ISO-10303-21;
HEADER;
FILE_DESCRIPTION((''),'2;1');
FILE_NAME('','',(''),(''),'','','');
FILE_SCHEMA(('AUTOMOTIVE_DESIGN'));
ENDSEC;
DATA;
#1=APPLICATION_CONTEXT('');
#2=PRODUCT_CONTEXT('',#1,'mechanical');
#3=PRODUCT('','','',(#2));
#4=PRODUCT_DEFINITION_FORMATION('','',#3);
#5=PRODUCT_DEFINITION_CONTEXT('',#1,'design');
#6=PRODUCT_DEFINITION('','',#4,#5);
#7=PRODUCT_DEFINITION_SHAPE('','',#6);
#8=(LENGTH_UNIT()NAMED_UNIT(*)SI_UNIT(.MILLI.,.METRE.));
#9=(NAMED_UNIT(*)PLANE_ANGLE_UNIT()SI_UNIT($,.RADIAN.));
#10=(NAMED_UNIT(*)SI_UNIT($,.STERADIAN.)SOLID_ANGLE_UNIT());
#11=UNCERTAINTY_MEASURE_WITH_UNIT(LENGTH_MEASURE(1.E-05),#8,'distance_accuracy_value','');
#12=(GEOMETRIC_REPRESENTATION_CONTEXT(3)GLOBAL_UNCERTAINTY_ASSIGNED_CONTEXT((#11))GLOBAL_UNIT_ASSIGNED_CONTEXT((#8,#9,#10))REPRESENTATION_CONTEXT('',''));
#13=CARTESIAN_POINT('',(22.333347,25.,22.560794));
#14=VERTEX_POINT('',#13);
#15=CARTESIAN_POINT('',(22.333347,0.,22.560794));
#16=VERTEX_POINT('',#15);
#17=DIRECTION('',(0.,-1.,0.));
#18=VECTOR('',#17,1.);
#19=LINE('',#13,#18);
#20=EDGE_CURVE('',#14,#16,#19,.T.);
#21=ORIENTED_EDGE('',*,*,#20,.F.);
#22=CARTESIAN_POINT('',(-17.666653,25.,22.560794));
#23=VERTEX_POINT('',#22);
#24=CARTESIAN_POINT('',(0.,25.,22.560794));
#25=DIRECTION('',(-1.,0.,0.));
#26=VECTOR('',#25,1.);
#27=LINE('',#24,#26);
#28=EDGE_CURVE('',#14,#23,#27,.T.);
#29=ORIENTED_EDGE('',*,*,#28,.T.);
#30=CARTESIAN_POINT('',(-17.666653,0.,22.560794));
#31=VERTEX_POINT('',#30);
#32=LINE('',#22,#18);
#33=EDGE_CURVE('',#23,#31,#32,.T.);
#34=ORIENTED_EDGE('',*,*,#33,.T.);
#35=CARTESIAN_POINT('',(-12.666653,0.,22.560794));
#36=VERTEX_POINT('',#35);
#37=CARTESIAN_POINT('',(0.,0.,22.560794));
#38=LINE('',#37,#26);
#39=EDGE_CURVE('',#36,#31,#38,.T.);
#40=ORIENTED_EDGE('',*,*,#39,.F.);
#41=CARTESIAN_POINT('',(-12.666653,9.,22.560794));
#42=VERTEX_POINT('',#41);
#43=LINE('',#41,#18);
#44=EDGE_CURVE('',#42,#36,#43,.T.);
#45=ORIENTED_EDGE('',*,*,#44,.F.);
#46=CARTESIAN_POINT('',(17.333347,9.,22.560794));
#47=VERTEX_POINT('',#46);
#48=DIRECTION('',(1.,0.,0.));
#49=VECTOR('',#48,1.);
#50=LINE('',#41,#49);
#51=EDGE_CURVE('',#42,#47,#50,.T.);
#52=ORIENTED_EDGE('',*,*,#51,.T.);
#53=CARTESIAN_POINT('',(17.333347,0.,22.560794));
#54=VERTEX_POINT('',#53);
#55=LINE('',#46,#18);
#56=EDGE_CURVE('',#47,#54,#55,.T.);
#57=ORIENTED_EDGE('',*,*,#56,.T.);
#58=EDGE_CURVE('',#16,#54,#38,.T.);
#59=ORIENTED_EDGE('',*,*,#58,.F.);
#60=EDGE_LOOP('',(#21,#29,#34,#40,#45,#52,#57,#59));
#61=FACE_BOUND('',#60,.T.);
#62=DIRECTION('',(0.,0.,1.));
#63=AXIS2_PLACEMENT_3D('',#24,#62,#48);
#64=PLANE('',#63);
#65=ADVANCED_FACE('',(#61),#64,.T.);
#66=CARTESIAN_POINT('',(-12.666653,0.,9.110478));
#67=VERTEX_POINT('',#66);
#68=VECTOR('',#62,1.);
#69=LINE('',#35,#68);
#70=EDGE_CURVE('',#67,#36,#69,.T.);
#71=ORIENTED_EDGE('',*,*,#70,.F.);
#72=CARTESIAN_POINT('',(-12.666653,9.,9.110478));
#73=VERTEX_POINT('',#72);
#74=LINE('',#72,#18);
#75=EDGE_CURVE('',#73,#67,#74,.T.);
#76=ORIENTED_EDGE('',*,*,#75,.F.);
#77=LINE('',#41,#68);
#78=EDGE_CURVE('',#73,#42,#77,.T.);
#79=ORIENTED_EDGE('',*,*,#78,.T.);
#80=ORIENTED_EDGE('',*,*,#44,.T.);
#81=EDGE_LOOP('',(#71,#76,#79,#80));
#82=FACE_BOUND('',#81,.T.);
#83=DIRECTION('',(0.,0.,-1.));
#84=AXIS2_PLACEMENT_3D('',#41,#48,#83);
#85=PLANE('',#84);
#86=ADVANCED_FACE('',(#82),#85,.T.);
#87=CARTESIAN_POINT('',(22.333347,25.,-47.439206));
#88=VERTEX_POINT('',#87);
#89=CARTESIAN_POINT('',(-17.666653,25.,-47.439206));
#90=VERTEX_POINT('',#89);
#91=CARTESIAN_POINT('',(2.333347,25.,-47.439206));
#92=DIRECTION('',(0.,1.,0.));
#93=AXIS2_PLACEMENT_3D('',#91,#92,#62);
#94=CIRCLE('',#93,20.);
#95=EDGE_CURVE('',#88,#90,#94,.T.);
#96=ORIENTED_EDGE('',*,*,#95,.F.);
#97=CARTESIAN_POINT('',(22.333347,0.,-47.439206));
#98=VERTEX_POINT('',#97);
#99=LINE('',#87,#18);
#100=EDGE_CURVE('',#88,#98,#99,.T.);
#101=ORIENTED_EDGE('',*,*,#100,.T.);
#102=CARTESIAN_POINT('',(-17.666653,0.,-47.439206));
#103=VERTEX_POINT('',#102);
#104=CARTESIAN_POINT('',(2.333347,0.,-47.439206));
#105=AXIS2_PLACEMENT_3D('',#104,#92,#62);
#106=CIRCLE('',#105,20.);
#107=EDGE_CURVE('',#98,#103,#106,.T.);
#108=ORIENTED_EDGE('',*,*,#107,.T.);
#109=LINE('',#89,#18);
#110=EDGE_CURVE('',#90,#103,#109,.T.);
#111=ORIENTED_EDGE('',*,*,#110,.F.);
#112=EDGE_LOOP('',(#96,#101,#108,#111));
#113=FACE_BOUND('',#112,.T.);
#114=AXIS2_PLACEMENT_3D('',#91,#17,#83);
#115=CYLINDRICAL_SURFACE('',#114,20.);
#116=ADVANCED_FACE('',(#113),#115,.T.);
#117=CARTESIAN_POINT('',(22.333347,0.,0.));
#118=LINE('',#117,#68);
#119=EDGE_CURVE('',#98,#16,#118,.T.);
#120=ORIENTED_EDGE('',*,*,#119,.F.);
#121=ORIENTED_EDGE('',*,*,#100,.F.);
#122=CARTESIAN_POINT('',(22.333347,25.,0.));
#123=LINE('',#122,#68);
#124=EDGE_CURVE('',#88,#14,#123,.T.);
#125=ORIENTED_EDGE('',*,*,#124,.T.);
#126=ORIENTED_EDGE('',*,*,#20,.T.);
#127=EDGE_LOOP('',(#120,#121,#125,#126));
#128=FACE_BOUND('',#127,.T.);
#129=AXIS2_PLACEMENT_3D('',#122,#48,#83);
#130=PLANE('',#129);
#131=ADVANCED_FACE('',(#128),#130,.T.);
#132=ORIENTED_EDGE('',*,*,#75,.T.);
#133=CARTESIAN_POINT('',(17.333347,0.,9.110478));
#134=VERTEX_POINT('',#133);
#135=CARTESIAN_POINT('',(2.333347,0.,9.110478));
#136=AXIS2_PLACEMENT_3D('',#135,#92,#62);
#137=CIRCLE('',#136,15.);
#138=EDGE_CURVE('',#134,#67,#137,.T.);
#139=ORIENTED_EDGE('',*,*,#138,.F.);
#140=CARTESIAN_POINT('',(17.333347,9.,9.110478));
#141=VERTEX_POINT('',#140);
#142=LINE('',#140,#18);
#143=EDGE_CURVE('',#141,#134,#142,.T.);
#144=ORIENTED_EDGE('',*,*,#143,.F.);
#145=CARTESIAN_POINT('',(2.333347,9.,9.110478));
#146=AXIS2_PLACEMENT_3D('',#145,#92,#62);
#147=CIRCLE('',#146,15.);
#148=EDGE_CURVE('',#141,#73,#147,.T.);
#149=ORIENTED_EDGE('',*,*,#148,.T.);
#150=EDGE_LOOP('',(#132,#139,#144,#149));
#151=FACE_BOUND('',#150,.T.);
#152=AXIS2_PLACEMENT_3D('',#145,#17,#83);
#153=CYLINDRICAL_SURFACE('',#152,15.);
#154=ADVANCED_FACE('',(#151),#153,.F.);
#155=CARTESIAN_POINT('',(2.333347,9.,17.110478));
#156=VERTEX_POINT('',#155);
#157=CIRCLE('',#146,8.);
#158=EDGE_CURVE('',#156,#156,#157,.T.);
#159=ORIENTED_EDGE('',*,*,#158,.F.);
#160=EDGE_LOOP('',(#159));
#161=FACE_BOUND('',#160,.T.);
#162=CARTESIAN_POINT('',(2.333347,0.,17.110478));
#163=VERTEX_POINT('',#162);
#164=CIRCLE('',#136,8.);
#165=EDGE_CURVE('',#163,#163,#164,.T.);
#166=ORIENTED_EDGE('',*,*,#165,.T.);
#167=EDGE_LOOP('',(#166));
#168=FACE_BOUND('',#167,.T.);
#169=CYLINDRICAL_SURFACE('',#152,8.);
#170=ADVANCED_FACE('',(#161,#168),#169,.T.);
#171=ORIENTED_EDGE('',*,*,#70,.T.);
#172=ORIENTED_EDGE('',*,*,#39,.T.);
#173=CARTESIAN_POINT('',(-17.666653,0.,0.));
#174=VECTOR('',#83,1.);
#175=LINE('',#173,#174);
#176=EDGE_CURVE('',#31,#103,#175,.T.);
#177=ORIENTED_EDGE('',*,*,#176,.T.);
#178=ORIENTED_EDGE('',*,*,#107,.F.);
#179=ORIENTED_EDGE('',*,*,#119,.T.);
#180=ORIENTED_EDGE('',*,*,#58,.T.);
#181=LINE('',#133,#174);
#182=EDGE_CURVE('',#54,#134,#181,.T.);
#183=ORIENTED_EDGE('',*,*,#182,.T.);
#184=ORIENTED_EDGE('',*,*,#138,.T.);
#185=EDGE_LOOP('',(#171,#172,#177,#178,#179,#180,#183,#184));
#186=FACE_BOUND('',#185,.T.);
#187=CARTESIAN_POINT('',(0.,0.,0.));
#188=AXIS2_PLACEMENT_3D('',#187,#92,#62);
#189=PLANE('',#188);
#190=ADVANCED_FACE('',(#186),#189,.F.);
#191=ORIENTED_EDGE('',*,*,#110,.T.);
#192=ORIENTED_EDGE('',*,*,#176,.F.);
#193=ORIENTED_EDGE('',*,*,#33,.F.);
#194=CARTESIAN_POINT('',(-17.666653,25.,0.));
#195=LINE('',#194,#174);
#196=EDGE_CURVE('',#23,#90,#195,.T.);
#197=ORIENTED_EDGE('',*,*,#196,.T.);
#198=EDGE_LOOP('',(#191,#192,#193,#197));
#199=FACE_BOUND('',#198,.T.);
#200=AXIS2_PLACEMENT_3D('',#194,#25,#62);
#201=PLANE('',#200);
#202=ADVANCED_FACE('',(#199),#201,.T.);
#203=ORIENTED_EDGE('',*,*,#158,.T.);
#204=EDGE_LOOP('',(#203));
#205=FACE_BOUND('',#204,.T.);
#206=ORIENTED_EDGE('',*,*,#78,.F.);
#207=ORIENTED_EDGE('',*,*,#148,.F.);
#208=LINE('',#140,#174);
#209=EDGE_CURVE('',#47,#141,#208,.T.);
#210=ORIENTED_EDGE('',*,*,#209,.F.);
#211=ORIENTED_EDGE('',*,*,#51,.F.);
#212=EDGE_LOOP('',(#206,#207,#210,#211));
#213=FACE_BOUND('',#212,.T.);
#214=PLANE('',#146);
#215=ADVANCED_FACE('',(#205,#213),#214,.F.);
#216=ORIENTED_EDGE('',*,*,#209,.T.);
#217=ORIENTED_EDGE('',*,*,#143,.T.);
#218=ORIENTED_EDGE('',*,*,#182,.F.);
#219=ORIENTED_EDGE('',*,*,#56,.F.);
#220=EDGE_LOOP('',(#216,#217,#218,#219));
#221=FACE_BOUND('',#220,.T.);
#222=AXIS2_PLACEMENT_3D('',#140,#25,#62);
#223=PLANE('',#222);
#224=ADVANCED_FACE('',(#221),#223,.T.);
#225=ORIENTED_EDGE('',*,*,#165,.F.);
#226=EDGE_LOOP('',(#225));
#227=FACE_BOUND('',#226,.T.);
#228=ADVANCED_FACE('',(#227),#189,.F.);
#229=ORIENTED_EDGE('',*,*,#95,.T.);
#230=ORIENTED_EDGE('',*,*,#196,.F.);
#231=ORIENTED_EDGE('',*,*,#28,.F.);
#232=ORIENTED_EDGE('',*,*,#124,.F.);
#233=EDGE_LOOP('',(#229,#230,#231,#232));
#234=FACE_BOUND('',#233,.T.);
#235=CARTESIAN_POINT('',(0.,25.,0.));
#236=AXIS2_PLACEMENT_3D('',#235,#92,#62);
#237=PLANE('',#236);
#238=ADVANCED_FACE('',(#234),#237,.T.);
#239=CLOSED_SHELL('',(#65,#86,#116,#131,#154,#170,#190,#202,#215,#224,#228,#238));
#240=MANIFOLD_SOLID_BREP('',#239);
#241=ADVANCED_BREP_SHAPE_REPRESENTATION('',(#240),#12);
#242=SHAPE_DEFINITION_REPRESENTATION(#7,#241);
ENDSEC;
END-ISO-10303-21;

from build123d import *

# Parameters (mm, degrees)
RESSALTO_EXTRUS_O1_DEPTH = 25
ESBO_O2_R                = 8
CORTE_EXTRUS_O2_DEPTH    = 9


with BuildPart() as part:
    # Esboço1 → Ressalto-extrusão1 (new body)
    with BuildSketch(Plane(origin=(0, 0, 0), x_dir=(1, 0, 0), z_dir=(0, 1, 0))):
        Polygon((-17.666653224, -22.560793644), (-17.666653224, 0), (-17.666653224, 47.439206356), (2.333346776, 47.439206356), (22.333346776, 47.439206356), (22.333346776, 0), (22.333346776, -22.560793644), (2.333346776, -22.560793644), align=None)
        with BuildLine():
            ThreePointArc((2.333346776, 67.439206356), (16.4754824, 61.581341979), (22.333346776, 47.439206356))
            Line((22.333346776, 47.439206356), (2.333346776, 47.439206356))
            Line((2.333346776, 47.439206356), (2.333346776, 67.439206356))
        make_face()
        with BuildLine():
            Line((2.333346776, 47.439206356), (2.333346776, 67.439206356))
            ThreePointArc((2.333346776, 67.439206356), (-11.808788848, 61.581341979), (-17.666653224, 47.439206356))
            Line((-17.666653224, 47.439206356), (2.333346776, 47.439206356))
        make_face()
    extrude(amount=RESSALTO_EXTRUS_O1_DEPTH)

    # Esboço2 → Corte-extrusão2 (cut)
    with BuildSketch(Plane(origin=(0, 0, 0), x_dir=(1, 0, 0), z_dir=(0, 1, 0))):
        with BuildLine():
            Line((-12.666653224, -22.560793644), (-12.666653224, -9.110478183))
            ThreePointArc((-12.666653224, -9.110478183), (2.333346776, 5.889521817), (17.333346776, -9.110478183))
            Line((17.333346776, -9.110478183), (17.333346776, -22.560793644))
            Line((17.333346776, -22.560793644), (-12.666653224, -22.560793644))
        make_face()
        with Locations(Location((2.333346776, -9.110478183, 0), (0, 0, 270))):
            Circle(ESBO_O2_R, mode=Mode.SUBTRACT)
    extrude(amount=CORTE_EXTRUS_O2_DEPTH, mode=Mode.SUBTRACT)


solid = part.part
